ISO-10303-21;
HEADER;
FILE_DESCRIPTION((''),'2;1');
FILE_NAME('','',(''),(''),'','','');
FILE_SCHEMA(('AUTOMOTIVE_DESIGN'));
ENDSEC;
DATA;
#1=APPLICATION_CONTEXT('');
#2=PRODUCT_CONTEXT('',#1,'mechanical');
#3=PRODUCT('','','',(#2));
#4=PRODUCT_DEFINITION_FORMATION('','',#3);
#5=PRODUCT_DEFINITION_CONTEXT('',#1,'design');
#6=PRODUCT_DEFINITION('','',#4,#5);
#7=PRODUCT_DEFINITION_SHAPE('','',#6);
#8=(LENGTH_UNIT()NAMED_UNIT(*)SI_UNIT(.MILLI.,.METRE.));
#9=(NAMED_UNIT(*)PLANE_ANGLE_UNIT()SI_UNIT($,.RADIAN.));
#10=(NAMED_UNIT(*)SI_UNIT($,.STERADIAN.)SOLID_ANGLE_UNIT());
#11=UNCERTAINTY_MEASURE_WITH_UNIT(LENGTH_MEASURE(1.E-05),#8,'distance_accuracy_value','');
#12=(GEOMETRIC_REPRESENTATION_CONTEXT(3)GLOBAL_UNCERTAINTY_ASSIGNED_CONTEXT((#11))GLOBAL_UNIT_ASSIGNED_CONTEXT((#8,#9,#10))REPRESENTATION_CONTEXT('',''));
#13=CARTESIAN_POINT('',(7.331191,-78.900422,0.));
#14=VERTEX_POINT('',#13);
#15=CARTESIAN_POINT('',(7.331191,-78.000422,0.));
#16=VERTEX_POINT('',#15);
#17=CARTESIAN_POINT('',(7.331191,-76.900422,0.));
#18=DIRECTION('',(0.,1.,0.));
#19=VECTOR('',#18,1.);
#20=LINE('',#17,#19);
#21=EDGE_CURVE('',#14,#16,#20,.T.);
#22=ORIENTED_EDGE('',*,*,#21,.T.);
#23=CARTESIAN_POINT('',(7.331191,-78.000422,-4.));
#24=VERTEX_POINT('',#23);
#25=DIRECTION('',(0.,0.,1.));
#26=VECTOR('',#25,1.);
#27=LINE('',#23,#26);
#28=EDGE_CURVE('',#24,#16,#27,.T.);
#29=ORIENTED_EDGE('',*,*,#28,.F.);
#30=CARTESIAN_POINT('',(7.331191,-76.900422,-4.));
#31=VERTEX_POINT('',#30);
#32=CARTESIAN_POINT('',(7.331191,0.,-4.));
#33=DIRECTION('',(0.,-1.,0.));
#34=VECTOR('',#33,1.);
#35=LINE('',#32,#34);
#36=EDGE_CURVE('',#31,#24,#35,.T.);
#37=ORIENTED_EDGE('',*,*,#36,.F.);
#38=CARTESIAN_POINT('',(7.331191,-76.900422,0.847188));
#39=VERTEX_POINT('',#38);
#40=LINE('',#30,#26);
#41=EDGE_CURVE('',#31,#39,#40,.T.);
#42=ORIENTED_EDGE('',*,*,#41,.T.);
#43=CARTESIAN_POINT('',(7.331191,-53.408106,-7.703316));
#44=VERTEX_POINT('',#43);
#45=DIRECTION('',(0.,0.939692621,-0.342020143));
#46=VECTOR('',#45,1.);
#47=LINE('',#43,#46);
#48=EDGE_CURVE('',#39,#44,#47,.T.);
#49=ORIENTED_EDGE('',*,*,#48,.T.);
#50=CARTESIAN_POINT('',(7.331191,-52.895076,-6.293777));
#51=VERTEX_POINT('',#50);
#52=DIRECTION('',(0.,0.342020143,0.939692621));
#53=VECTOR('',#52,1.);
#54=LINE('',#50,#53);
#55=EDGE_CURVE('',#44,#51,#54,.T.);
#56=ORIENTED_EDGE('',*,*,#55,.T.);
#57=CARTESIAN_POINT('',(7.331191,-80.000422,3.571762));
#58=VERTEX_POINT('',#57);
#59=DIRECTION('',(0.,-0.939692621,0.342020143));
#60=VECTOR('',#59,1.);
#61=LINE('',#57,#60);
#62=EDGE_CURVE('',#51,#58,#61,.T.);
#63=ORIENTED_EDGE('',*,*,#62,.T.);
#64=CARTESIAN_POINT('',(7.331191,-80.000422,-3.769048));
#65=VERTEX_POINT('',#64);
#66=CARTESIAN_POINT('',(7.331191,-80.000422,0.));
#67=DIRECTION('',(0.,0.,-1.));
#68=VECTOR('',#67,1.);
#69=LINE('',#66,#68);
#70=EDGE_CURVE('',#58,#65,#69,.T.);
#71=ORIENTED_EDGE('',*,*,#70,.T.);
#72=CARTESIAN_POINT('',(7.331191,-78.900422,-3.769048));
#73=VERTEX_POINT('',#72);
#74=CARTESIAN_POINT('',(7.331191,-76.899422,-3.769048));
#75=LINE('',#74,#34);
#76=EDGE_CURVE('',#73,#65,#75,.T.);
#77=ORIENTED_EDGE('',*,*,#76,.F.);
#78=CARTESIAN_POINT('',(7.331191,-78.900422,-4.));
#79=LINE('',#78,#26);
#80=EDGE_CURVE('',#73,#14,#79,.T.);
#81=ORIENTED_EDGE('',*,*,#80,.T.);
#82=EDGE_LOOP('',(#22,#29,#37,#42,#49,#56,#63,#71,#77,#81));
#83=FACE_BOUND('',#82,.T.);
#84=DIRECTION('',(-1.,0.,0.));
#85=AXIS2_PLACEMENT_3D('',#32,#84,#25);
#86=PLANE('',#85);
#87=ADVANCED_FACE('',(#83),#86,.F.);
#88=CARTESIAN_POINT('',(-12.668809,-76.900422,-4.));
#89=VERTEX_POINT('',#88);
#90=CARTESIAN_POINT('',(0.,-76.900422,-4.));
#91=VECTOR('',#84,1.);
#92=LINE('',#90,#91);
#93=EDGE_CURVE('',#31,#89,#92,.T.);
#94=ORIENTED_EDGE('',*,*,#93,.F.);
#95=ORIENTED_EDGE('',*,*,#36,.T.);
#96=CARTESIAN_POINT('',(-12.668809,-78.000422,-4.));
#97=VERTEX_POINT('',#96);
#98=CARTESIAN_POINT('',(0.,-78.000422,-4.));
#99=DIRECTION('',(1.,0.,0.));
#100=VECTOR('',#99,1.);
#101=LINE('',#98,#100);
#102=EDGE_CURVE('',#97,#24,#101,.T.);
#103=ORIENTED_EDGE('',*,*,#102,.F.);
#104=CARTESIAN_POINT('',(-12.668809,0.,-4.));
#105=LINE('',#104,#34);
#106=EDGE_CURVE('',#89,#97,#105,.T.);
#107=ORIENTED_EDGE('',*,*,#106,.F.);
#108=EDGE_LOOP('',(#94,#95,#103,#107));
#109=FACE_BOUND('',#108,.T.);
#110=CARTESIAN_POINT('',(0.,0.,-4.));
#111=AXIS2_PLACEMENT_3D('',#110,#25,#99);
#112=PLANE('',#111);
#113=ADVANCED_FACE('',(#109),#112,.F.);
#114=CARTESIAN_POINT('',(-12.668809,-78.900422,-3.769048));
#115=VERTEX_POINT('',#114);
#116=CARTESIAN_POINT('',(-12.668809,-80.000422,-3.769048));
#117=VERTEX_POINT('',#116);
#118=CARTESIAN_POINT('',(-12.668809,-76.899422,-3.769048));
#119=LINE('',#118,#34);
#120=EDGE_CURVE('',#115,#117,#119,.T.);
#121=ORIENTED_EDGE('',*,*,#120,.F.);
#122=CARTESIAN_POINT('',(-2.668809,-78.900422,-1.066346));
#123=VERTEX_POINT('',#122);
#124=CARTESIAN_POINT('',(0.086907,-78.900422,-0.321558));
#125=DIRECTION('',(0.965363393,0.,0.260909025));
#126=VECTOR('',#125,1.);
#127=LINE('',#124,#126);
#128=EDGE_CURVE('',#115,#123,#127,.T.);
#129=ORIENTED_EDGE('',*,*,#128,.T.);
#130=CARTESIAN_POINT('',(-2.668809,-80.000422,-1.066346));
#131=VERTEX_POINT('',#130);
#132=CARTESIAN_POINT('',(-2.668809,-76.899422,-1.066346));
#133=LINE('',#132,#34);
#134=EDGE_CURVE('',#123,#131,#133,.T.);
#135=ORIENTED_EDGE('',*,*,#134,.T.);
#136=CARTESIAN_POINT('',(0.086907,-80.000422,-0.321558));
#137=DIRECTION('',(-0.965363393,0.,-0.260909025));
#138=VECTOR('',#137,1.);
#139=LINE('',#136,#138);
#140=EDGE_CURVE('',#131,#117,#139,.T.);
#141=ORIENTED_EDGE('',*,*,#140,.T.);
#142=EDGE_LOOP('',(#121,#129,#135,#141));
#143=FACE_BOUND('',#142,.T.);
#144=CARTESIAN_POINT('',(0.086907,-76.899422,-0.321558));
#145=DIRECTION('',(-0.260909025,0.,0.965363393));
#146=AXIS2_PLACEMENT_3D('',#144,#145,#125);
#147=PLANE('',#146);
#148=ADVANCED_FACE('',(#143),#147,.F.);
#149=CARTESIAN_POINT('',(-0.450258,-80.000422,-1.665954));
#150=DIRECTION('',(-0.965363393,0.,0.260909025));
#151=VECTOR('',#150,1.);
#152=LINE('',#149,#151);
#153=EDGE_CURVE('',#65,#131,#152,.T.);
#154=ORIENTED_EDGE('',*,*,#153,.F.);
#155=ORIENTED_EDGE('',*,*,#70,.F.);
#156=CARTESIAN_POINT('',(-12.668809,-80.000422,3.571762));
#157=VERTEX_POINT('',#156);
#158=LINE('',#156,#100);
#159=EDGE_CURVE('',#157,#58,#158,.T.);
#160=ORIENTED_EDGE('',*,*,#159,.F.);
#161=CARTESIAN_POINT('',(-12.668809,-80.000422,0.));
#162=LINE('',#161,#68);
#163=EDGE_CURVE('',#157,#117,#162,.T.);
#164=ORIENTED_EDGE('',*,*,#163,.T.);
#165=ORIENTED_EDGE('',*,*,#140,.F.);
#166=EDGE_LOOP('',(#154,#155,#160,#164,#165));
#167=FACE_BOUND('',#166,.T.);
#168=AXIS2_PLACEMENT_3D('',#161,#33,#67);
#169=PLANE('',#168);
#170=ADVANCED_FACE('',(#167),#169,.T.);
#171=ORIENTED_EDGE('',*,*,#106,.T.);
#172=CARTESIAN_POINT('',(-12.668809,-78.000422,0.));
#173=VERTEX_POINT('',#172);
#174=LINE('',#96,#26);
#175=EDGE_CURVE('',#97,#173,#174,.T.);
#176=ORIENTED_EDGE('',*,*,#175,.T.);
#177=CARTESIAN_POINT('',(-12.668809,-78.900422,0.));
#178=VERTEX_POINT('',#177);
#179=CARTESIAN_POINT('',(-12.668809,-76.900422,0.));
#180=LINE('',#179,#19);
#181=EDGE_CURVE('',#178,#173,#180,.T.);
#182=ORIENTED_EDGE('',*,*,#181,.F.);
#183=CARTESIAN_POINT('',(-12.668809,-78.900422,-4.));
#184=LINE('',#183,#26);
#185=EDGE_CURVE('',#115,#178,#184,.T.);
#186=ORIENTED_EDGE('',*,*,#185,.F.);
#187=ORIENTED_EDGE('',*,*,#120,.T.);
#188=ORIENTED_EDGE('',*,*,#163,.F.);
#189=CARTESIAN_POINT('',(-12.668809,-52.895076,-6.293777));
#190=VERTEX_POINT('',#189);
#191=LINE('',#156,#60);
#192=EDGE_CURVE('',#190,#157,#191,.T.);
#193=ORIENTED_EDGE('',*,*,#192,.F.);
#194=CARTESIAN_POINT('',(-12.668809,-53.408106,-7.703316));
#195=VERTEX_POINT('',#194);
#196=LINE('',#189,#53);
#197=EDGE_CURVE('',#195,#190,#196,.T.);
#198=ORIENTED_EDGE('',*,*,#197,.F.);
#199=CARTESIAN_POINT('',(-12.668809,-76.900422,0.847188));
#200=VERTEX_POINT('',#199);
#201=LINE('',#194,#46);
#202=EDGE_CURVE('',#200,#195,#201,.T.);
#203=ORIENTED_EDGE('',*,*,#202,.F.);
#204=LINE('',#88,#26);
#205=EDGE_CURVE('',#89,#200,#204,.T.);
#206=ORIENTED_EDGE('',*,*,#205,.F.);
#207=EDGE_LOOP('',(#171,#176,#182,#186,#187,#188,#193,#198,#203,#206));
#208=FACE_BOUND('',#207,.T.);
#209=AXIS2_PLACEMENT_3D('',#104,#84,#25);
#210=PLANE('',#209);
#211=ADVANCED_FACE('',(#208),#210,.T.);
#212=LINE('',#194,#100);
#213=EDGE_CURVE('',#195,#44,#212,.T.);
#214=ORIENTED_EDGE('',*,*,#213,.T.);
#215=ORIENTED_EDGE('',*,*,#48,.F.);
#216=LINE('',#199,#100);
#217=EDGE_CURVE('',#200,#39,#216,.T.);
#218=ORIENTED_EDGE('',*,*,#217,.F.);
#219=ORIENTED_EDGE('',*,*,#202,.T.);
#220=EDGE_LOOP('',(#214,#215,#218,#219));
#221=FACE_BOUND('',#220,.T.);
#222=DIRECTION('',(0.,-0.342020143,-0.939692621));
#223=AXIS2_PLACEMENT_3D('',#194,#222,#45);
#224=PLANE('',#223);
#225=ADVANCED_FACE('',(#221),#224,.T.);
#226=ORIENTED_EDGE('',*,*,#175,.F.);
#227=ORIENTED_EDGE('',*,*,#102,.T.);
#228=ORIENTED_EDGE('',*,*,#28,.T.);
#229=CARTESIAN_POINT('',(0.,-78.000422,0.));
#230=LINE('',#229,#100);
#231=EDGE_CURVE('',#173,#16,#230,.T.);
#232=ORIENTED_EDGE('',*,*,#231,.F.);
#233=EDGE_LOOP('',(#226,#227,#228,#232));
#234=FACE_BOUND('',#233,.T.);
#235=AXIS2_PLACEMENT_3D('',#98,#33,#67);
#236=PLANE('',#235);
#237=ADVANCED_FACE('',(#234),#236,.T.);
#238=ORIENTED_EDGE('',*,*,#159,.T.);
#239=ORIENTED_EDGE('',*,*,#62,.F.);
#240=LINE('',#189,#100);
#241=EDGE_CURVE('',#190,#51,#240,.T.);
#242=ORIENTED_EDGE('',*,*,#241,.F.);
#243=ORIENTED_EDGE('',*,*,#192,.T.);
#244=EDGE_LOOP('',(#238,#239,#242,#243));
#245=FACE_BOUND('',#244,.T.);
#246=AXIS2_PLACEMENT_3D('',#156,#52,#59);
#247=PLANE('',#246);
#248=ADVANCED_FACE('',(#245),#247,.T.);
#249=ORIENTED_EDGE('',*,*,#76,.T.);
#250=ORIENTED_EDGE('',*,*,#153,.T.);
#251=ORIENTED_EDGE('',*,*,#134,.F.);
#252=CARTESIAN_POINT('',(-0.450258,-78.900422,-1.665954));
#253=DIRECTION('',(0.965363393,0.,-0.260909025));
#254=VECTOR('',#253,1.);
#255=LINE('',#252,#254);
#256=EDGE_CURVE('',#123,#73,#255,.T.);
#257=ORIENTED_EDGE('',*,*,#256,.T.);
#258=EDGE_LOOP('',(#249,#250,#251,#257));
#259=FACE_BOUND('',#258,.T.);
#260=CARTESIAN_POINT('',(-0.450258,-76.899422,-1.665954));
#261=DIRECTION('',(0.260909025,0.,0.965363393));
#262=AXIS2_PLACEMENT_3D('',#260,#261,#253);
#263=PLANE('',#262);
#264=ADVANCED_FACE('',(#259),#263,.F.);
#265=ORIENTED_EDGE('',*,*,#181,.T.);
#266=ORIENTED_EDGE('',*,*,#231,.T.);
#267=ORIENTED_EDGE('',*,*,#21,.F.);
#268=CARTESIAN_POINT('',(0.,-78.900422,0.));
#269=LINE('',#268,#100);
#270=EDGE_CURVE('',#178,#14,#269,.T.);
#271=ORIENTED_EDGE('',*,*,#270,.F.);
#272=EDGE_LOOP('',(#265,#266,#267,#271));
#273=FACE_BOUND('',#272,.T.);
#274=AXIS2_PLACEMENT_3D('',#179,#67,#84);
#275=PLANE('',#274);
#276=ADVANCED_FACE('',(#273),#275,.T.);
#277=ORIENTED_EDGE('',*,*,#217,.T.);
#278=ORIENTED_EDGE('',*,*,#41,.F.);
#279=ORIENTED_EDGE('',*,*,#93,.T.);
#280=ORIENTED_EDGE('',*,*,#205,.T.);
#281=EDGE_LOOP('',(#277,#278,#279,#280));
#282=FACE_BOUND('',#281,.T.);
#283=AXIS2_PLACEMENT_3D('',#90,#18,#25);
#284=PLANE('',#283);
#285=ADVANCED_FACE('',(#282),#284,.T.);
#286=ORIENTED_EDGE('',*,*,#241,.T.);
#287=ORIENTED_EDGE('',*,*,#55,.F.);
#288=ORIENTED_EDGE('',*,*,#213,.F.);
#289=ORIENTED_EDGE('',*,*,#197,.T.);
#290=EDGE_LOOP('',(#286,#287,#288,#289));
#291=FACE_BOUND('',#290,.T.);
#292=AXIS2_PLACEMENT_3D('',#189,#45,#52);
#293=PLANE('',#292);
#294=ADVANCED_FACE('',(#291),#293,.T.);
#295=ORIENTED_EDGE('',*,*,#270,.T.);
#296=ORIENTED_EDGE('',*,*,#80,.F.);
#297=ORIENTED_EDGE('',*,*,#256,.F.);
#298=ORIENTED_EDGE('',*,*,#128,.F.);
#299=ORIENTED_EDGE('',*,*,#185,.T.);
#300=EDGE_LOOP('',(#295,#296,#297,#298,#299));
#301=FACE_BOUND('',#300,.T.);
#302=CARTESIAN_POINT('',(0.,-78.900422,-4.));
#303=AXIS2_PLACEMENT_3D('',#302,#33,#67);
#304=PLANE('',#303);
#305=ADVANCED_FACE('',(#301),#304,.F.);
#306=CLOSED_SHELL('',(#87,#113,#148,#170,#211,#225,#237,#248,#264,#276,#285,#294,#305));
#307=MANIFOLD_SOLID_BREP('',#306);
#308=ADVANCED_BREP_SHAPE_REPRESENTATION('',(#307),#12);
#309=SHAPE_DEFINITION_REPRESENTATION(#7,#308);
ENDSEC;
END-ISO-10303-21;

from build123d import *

# Parameters (mm, degrees)
CROQUIS1_W                = 20
CROQUIS1_H                = 1.1
SALIENTE_EXTRUIR1_DEPTH   = 4
SALIENTE_EXTRUIR1_2_DEPTH = 4
CORTAR_EXTRUIR1_DEPTH     = 1.1
SALIENTE_EXTRUIR2_DEPTH   = 20


with BuildPart() as part:
    # Croquis1 → Saliente-Extruir1 (new body)
    with BuildSketch(Plane.XY):
        with Locations((-2.668808514, -79.450421588)):
            Rectangle(CROQUIS1_W, CROQUIS1_H)
    extrude(amount=-SALIENTE_EXTRUIR1_DEPTH)

    # Croquis2 → Cortar-Extruir1 (cut)
    with BuildSketch(Plane.XZ.offset(80.000421588)):
        Polygon((8.185712697, -4), (-2.668808514, -1.066345619), (-13.523329725, -4), align=None)
    extrude(amount=-CORTAR_EXTRUIR1_DEPTH, mode=Mode.SUBTRACT)



with BuildPart() as body_2:
    # Croquis1 → Saliente-Extruir1 2 (new body)
    with BuildSketch(Plane.XY):
        with Locations((-2.668808514, -77.450421588)):
            Rectangle(CROQUIS1_W, CROQUIS1_H)
    extrude(amount=-SALIENTE_EXTRUIR1_2_DEPTH)


with BuildPart() as part_1:
    add(part.part)

    add(body_2.part)  # Saliente-Extruir2 merges body 2
    # Croquis3 → Saliente-Extruir2 (add, through all)
    with BuildSketch(Plane(origin=(7.331191486, 0, 0), x_dir=(0, 0, -1), z_dir=(1, 0, 0))):
        Polygon((0, -76.900421588), (0, -80.000421588), (-3.57176217, -80.000421588), (6.293776867, -52.895075854), (7.703315798, -53.408106069), (-0.847187785, -76.900421588), align=None)
    extrude(amount=-SALIENTE_EXTRUIR2_DEPTH)


solid = part_1.part
